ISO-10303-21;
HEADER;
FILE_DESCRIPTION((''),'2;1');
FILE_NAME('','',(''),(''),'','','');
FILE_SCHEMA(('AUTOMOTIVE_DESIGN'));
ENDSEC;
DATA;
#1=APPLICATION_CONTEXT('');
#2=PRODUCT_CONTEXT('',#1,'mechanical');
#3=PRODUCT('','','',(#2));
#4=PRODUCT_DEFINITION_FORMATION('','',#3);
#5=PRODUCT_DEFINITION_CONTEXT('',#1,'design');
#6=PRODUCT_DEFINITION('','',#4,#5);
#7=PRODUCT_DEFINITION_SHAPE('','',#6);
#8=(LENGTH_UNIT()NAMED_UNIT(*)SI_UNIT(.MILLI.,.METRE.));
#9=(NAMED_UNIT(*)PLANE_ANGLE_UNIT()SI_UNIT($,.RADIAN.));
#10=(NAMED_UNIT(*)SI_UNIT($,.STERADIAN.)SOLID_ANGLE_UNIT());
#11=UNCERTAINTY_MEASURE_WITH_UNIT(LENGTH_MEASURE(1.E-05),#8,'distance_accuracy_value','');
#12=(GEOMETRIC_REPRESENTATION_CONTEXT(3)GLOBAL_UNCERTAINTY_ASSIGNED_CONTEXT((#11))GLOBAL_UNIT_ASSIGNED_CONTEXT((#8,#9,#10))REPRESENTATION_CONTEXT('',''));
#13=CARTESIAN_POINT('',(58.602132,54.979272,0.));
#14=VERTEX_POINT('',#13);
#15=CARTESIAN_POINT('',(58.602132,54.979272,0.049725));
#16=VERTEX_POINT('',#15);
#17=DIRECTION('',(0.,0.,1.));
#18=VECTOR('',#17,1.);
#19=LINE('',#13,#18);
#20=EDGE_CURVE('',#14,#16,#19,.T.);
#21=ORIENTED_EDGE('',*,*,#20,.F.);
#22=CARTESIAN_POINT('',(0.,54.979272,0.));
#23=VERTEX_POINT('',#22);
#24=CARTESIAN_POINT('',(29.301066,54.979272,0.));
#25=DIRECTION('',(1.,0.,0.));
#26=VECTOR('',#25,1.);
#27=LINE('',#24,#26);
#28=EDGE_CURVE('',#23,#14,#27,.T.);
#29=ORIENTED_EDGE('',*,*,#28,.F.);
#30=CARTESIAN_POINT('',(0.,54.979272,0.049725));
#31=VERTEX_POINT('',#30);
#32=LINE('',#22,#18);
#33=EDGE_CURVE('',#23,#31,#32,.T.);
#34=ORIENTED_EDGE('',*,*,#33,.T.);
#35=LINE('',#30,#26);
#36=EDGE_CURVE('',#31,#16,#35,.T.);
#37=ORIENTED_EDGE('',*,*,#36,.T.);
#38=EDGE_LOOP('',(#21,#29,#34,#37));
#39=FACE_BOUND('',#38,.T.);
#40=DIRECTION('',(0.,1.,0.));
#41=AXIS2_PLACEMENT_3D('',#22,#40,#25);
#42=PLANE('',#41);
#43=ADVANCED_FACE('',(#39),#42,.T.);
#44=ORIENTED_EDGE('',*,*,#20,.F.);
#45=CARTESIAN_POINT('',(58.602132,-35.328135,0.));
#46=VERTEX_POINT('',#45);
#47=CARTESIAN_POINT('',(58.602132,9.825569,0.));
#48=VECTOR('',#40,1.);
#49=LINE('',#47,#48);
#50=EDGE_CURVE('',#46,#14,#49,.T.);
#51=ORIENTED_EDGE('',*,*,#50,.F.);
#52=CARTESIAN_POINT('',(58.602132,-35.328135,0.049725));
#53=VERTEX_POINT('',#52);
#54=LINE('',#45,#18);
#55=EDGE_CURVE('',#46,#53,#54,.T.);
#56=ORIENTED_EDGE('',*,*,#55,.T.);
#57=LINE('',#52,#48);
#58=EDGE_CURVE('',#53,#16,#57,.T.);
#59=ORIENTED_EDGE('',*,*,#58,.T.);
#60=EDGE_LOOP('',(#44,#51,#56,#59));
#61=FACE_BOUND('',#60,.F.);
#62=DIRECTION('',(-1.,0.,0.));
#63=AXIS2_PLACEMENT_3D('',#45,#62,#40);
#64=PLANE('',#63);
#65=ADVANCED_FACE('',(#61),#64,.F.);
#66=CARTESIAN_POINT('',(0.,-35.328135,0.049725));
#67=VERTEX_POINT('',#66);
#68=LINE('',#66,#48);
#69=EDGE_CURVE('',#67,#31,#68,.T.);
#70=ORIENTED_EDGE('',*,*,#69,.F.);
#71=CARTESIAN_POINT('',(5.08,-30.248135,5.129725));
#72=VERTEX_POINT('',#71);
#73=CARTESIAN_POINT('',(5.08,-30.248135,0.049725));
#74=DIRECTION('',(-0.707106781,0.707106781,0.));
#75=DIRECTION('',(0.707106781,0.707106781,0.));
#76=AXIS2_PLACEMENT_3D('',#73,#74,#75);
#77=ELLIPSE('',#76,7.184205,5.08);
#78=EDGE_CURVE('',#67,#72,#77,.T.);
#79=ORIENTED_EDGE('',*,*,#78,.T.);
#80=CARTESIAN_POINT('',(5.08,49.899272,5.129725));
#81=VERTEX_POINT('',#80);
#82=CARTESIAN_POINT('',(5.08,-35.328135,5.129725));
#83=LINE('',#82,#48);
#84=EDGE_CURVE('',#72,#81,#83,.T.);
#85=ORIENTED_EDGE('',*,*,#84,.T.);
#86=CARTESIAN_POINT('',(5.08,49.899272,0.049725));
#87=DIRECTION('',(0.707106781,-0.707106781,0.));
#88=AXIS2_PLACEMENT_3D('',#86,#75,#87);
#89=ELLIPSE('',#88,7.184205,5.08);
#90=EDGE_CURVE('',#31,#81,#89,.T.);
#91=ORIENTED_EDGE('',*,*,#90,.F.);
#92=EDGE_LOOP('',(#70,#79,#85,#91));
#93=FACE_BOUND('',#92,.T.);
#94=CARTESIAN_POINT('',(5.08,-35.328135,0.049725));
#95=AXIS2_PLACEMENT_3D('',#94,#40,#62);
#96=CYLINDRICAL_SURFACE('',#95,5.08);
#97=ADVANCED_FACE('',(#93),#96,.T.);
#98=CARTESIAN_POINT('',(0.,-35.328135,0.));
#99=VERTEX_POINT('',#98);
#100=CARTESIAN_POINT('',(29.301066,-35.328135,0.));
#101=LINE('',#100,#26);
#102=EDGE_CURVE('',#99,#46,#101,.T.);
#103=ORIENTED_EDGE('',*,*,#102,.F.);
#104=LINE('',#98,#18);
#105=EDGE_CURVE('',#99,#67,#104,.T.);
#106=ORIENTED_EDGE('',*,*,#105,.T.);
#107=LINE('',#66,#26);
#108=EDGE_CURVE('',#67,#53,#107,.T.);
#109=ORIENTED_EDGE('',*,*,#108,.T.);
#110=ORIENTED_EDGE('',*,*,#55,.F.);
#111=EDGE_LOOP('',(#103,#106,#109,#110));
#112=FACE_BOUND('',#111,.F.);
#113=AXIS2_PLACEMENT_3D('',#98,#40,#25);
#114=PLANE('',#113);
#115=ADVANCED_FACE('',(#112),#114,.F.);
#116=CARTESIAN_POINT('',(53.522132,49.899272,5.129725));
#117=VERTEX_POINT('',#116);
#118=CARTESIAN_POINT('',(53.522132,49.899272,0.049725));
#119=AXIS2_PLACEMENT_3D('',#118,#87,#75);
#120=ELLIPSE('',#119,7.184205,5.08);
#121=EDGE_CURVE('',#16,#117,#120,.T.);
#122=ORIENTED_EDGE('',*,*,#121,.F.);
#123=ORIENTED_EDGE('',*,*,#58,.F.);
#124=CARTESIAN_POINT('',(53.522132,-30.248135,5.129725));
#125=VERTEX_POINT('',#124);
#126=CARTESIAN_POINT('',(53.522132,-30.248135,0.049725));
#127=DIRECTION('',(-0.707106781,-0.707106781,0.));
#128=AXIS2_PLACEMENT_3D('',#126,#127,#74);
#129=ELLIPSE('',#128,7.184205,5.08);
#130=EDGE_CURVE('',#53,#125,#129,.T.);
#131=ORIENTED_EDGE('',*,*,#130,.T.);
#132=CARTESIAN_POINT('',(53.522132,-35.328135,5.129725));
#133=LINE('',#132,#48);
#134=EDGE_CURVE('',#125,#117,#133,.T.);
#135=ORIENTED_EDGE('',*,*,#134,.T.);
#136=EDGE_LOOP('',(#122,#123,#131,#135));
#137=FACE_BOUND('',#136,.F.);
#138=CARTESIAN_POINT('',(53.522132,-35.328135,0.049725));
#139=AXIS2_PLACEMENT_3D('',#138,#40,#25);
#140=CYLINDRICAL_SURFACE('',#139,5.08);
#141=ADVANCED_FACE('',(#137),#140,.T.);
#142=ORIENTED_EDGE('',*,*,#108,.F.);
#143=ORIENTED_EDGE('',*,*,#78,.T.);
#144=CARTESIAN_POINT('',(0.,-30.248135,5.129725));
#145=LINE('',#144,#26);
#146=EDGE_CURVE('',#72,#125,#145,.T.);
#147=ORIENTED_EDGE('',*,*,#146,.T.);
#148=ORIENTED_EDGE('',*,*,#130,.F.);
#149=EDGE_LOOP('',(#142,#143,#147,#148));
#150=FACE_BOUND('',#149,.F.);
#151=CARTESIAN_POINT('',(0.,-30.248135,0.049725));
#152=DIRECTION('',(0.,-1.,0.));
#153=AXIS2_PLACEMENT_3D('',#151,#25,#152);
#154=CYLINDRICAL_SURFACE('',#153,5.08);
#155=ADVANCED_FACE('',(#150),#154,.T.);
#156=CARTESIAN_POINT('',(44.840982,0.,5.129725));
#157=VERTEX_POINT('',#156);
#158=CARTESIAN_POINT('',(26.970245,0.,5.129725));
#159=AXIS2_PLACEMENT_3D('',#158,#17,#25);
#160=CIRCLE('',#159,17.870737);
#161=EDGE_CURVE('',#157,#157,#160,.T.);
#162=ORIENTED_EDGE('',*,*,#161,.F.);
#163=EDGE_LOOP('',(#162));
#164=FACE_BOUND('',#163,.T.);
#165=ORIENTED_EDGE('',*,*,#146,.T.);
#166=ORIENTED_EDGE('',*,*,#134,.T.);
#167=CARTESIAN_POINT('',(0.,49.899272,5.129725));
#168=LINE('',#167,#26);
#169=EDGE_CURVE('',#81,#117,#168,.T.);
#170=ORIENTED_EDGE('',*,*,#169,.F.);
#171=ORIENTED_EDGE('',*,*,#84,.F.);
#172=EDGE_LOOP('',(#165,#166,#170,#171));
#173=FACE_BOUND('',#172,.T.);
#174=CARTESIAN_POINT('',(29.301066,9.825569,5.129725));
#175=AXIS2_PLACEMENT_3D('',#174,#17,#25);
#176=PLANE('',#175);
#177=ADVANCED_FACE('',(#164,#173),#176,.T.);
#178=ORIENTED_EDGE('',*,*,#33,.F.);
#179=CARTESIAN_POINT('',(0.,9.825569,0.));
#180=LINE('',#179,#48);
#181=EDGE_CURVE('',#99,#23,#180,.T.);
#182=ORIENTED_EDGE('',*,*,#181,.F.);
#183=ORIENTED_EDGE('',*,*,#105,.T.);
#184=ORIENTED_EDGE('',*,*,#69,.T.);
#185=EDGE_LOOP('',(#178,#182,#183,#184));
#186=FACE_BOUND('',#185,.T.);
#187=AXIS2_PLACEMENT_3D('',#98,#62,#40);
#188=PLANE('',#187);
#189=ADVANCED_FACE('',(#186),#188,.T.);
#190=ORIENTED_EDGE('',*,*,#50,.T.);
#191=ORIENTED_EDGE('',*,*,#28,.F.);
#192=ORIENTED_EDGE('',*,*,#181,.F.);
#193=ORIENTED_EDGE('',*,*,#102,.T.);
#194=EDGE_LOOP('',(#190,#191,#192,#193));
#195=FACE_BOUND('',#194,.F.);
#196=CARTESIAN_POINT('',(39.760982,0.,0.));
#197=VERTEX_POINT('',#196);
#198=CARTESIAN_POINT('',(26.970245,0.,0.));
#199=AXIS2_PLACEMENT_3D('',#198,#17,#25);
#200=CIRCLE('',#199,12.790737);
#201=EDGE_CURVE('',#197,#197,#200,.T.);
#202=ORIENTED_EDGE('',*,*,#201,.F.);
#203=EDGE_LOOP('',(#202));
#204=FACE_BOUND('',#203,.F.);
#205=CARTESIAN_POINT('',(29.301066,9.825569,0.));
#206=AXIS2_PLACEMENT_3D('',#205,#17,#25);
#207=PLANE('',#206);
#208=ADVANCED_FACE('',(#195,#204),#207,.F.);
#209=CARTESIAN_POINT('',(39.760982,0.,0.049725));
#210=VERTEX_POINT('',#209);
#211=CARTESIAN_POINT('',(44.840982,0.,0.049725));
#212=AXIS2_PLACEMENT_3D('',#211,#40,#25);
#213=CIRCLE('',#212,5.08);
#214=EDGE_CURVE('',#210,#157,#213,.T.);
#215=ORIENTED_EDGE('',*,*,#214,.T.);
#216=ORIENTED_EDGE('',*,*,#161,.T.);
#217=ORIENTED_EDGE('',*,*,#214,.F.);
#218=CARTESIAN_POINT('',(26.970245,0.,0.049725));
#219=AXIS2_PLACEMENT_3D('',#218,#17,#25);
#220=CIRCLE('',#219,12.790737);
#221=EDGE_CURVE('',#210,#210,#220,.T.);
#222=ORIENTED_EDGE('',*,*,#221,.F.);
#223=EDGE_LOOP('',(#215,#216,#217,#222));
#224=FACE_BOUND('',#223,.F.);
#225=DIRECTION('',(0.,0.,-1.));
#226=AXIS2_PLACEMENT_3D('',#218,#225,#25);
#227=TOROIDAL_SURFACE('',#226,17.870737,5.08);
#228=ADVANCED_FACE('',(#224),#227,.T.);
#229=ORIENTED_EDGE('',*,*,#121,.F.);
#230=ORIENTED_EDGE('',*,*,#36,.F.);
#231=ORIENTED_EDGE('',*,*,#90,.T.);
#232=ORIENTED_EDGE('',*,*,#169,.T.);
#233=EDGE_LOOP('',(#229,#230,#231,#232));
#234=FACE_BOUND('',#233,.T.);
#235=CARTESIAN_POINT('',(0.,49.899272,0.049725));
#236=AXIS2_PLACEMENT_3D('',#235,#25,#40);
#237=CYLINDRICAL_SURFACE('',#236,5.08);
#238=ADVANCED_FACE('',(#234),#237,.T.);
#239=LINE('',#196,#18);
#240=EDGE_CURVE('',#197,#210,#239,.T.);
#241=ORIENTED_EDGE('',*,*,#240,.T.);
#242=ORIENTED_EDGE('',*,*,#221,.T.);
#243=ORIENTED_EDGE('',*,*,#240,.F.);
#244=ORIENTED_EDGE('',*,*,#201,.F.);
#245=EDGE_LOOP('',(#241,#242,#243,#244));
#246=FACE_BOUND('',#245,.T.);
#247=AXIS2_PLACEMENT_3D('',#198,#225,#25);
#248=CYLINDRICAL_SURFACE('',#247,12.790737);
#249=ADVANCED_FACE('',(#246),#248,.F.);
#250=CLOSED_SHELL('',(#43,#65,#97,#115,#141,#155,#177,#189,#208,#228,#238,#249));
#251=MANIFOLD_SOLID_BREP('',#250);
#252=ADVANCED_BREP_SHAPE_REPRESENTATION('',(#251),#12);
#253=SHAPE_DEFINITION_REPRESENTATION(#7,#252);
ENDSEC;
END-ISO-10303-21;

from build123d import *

# Parameters (mm, degrees)
F1_W     = 58.6021319032
F1_H     = 90.3074070811
F1_R     = 12.7907373574
F2_DEPTH = 5.129724741
F3_R     = 5.08


with BuildPart() as f2:
    # F1 (on face) → F2 (new body)
    with BuildSketch(Plane.XY):
        with Locations((29.3010659516, 9.8255686462)):
            Rectangle(F1_W, F1_H)
        with Locations((26.9702449441, 0)):
            Circle(F1_R, mode=Mode.SUBTRACT)
    extrude(amount=F2_DEPTH)

    # F3
    f3_edges = [f2.edges().sort_by_distance(p)[0] for p in [
        (58.602132, 9.825569, 5.129725),
        (29.301066, 54.979272, 5.129725),
        (0, 9.825569, 5.129725),
        (29.301066, -35.328135, 5.129725),
        (14.179508, 0, 5.129725),
    ]]
    fillet(f3_edges, radius=F3_R)


solid = f2.part
